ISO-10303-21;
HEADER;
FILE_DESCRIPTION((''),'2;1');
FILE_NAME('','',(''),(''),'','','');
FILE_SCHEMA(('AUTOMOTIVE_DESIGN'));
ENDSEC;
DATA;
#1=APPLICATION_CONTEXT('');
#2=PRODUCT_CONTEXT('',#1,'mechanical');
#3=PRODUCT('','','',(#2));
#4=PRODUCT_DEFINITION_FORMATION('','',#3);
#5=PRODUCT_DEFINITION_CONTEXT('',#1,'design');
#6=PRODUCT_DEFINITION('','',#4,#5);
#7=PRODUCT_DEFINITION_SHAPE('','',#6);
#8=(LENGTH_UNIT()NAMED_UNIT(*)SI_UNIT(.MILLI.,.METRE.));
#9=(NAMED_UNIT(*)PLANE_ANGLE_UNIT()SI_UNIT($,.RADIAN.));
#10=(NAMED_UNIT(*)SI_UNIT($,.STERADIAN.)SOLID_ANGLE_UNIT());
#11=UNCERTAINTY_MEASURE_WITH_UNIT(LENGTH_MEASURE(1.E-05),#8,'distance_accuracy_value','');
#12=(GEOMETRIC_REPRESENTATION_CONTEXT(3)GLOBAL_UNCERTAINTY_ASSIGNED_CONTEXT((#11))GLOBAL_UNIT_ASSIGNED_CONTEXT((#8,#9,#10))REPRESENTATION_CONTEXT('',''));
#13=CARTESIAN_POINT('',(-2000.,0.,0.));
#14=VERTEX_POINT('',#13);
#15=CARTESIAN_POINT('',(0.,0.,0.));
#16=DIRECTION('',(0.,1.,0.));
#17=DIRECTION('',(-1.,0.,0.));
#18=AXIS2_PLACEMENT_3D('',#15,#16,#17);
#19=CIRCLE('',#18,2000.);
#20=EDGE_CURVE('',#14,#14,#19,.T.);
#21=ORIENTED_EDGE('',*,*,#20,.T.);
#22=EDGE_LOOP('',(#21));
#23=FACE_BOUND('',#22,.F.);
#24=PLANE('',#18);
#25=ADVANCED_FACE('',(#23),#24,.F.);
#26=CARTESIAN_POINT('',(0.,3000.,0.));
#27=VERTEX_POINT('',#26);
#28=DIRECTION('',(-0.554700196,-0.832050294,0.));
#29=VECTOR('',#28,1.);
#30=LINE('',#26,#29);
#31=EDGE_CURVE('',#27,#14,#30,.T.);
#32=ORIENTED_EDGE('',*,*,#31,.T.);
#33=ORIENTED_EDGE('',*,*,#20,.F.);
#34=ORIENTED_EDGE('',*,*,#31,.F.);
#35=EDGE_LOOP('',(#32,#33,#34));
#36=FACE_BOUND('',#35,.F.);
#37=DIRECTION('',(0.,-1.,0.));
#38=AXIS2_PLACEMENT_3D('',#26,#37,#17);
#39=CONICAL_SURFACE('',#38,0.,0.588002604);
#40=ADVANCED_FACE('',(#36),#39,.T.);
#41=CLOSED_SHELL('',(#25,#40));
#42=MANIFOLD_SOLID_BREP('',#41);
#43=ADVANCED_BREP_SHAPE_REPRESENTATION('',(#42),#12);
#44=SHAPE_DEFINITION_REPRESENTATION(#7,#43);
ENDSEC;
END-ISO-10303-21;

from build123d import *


with BuildPart() as f1:
    # F0 (on Top) → F1 (revolve)
    with BuildSketch(Plane.XY):
        Polygon((0, 0), (0, 3000), (-2000, 0), align=None)
    revolve(axis=Axis((0, 1500, 0), (0, 1, 0)))


solid = f1.part
